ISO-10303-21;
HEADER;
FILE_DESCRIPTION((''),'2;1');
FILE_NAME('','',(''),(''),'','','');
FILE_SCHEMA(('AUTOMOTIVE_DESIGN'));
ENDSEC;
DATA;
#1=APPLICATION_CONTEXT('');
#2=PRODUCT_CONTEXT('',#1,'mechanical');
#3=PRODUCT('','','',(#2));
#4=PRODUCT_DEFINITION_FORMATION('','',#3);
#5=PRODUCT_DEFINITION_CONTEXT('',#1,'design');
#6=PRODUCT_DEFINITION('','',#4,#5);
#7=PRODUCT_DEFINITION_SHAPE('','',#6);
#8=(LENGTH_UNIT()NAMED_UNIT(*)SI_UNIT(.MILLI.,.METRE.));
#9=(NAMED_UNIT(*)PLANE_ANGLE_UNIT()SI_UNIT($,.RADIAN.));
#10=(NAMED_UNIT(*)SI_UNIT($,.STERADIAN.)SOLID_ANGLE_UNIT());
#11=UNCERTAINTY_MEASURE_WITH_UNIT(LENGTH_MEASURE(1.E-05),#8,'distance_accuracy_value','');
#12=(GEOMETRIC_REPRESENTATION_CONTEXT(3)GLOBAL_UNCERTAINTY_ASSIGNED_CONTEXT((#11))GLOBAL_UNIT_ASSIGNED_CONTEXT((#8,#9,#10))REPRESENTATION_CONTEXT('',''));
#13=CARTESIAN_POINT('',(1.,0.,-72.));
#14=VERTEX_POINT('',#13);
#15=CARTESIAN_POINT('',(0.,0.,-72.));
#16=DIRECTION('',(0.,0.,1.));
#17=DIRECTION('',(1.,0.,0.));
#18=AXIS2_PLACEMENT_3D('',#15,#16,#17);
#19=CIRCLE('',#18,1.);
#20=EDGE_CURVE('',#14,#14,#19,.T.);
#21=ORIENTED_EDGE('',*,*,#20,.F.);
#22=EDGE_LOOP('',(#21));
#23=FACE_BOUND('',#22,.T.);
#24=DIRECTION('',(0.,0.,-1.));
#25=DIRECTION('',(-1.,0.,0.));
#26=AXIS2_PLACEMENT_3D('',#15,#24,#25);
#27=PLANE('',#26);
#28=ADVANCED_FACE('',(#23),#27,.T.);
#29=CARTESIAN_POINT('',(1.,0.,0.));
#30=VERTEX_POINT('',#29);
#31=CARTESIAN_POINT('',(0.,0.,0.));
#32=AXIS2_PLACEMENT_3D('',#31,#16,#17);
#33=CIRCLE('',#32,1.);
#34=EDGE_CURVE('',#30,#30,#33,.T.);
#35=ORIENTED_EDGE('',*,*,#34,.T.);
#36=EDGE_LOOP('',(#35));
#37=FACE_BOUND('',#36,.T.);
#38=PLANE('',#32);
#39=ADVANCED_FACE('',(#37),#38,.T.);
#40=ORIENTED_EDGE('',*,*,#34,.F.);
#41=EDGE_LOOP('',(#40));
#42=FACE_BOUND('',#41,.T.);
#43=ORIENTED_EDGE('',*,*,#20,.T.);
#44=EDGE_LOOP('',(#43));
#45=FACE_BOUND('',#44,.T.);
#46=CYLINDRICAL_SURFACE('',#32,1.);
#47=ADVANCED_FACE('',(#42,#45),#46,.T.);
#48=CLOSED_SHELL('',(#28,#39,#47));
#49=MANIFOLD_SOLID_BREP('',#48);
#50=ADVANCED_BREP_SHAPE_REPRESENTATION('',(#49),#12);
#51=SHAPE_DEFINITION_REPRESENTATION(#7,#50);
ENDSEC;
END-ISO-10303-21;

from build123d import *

# Parameters (mm, degrees)
SKETCH1_W = 1
SKETCH1_H = 72


with BuildPart() as part:
    # Sketch1 → Revolve1 (revolve)
    with BuildSketch(Plane(origin=(0, 0, 0), x_dir=(1, 0, 0), z_dir=(0, 1, 0))):
        with Locations((0.5, 36)):
            Rectangle(SKETCH1_W, SKETCH1_H)
    revolve(axis=Axis((0, 0, 0), (0, 0, -1)))


solid = part.part
